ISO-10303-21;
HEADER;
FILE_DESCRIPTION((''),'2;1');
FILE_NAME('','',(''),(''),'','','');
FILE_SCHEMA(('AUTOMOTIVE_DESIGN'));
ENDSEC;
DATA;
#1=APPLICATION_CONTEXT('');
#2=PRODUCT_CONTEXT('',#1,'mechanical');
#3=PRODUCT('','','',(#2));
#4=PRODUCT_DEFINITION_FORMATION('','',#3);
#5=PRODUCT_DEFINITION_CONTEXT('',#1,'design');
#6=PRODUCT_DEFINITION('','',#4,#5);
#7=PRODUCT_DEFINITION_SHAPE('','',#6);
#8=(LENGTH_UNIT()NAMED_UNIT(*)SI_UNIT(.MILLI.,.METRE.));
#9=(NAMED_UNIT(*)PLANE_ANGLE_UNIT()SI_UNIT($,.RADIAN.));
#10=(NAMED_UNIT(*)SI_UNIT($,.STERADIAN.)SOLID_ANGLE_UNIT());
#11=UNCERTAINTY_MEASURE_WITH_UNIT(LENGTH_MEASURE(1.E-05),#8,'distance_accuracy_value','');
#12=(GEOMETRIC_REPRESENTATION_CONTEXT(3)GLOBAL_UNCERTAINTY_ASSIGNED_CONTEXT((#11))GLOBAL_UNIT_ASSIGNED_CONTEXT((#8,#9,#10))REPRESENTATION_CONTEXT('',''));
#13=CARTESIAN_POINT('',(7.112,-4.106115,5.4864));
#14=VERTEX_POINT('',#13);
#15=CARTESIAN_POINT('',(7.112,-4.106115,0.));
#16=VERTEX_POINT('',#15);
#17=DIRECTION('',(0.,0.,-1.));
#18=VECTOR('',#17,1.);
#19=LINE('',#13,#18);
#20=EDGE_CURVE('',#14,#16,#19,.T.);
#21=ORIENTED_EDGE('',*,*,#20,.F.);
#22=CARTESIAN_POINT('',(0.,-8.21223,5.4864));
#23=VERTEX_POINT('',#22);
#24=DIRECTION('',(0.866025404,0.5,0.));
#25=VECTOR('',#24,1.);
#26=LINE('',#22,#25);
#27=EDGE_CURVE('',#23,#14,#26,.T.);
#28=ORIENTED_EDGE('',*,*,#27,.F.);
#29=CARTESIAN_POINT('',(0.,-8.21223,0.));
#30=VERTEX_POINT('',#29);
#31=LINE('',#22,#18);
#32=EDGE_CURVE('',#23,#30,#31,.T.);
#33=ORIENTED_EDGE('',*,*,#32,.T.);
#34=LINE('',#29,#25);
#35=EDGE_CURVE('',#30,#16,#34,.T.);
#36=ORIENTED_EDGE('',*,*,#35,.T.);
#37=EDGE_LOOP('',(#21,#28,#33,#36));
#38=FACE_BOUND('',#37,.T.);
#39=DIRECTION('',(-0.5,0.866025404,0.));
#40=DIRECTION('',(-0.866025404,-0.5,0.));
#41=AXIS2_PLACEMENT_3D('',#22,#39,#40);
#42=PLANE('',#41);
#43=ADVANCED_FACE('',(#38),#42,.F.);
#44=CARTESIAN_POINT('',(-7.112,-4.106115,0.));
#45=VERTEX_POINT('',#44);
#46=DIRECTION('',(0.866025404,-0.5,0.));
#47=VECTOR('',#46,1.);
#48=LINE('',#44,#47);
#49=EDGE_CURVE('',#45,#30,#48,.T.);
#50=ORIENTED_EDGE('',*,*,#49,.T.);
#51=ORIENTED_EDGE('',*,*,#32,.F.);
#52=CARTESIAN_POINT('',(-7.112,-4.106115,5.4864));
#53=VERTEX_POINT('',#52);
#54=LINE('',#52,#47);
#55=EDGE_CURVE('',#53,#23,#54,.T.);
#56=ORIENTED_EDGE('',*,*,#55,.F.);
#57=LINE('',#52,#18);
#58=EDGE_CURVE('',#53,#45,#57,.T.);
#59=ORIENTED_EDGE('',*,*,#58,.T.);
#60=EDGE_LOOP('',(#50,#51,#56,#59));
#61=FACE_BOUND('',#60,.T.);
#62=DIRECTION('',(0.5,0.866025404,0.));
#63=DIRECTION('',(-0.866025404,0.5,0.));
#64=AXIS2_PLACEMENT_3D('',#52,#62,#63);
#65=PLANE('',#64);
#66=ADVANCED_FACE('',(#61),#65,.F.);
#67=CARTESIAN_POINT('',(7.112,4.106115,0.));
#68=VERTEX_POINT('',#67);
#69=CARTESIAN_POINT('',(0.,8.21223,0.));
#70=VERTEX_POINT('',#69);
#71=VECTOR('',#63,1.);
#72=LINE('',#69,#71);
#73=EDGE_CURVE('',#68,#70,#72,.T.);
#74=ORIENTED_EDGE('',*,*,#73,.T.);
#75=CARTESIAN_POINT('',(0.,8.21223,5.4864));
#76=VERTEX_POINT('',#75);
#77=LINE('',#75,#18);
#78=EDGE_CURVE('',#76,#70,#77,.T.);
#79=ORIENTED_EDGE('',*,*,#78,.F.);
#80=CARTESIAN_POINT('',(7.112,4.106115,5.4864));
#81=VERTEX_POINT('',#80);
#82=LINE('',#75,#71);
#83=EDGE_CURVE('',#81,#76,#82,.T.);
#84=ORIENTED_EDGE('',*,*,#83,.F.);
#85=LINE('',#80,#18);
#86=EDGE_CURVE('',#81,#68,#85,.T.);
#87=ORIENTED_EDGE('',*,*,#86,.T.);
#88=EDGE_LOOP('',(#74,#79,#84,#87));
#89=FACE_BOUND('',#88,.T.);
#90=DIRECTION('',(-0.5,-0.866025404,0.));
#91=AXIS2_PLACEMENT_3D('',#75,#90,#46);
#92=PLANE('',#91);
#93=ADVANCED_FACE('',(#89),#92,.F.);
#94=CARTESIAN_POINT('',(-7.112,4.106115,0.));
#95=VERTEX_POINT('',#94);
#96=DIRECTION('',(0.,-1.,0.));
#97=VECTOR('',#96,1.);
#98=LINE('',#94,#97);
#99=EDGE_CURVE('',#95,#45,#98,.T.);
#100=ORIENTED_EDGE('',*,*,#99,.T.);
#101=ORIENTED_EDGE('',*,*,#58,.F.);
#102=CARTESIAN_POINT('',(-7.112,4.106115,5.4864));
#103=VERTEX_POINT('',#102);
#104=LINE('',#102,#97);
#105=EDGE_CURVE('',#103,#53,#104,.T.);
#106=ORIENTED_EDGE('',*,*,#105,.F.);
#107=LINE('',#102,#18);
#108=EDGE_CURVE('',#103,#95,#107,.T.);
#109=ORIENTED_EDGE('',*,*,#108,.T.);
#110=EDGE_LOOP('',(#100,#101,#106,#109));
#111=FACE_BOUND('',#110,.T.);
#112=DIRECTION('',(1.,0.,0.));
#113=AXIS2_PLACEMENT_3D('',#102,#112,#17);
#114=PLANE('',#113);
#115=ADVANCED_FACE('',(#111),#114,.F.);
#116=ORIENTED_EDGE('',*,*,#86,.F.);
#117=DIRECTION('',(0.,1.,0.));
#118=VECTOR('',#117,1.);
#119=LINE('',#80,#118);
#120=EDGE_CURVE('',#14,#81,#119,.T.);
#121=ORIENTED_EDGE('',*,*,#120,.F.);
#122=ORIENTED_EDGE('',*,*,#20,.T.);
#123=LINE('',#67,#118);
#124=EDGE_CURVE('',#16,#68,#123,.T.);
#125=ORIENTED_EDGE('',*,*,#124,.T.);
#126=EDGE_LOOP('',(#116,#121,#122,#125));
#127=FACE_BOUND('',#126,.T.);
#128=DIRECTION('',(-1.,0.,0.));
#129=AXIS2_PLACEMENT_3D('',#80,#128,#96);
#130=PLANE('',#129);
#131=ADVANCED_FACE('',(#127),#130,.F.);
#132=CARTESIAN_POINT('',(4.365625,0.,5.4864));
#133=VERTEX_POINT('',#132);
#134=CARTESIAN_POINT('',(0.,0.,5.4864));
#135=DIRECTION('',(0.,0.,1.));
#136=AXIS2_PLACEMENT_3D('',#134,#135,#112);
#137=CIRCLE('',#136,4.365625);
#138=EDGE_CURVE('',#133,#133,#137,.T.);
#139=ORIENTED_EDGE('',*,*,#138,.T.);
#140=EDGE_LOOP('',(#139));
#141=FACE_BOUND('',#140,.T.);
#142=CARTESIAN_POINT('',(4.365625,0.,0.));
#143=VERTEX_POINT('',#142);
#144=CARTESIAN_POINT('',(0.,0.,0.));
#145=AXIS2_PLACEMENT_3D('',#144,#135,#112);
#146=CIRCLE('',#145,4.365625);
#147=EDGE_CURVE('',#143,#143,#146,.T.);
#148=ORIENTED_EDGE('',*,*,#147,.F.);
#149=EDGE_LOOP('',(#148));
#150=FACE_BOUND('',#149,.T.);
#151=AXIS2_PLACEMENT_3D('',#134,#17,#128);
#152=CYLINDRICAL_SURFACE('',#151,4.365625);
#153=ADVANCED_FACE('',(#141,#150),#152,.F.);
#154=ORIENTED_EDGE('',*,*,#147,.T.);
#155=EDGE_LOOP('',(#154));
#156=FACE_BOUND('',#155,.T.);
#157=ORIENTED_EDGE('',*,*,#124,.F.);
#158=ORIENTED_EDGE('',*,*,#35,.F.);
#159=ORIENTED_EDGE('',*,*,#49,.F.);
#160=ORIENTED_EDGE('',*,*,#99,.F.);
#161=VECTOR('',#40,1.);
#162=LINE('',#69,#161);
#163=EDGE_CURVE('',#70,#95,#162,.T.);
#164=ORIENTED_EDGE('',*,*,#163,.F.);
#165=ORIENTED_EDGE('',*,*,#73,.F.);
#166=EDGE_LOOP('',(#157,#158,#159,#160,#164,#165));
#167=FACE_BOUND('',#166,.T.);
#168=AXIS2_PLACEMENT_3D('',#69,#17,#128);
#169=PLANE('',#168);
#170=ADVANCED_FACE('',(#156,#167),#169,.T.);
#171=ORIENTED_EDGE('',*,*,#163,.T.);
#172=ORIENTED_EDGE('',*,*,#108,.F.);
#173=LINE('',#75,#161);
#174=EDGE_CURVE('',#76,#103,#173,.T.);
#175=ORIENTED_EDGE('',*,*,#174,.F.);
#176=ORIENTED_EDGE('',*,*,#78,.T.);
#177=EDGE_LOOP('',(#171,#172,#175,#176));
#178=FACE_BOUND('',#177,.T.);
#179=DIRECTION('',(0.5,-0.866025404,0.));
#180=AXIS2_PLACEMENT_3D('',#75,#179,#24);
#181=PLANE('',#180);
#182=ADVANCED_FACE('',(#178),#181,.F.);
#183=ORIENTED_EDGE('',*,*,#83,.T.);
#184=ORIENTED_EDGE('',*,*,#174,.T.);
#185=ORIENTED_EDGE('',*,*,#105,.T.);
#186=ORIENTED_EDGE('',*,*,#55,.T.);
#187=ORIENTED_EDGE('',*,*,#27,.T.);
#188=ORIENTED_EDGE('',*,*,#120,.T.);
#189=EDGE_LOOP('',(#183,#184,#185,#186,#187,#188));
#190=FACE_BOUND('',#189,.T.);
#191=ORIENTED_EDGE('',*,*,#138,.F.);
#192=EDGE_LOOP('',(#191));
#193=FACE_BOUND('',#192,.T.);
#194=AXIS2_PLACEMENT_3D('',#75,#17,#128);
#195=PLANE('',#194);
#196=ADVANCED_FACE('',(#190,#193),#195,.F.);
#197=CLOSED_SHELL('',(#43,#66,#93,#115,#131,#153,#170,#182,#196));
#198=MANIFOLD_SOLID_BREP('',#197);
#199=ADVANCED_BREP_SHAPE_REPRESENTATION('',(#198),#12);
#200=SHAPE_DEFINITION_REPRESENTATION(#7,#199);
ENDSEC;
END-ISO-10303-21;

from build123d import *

# Parameters (mm, degrees)
SKETCH1_R      = 4.365625
EXTRUDE1_DEPTH = 5.4864


with BuildPart() as part:
    # Sketch1 → Extrude1 (new body)
    with BuildSketch(Plane.XY):
        Polygon((0, 8.212230229), (-7.112, 4.106115114), (-7.112, -4.106115114), (0, -8.212230229), (7.112, -4.106115114), (7.112, 4.106115114), align=None)
        Circle(SKETCH1_R, mode=Mode.SUBTRACT)
    extrude(amount=EXTRUDE1_DEPTH)


solid = part.part
